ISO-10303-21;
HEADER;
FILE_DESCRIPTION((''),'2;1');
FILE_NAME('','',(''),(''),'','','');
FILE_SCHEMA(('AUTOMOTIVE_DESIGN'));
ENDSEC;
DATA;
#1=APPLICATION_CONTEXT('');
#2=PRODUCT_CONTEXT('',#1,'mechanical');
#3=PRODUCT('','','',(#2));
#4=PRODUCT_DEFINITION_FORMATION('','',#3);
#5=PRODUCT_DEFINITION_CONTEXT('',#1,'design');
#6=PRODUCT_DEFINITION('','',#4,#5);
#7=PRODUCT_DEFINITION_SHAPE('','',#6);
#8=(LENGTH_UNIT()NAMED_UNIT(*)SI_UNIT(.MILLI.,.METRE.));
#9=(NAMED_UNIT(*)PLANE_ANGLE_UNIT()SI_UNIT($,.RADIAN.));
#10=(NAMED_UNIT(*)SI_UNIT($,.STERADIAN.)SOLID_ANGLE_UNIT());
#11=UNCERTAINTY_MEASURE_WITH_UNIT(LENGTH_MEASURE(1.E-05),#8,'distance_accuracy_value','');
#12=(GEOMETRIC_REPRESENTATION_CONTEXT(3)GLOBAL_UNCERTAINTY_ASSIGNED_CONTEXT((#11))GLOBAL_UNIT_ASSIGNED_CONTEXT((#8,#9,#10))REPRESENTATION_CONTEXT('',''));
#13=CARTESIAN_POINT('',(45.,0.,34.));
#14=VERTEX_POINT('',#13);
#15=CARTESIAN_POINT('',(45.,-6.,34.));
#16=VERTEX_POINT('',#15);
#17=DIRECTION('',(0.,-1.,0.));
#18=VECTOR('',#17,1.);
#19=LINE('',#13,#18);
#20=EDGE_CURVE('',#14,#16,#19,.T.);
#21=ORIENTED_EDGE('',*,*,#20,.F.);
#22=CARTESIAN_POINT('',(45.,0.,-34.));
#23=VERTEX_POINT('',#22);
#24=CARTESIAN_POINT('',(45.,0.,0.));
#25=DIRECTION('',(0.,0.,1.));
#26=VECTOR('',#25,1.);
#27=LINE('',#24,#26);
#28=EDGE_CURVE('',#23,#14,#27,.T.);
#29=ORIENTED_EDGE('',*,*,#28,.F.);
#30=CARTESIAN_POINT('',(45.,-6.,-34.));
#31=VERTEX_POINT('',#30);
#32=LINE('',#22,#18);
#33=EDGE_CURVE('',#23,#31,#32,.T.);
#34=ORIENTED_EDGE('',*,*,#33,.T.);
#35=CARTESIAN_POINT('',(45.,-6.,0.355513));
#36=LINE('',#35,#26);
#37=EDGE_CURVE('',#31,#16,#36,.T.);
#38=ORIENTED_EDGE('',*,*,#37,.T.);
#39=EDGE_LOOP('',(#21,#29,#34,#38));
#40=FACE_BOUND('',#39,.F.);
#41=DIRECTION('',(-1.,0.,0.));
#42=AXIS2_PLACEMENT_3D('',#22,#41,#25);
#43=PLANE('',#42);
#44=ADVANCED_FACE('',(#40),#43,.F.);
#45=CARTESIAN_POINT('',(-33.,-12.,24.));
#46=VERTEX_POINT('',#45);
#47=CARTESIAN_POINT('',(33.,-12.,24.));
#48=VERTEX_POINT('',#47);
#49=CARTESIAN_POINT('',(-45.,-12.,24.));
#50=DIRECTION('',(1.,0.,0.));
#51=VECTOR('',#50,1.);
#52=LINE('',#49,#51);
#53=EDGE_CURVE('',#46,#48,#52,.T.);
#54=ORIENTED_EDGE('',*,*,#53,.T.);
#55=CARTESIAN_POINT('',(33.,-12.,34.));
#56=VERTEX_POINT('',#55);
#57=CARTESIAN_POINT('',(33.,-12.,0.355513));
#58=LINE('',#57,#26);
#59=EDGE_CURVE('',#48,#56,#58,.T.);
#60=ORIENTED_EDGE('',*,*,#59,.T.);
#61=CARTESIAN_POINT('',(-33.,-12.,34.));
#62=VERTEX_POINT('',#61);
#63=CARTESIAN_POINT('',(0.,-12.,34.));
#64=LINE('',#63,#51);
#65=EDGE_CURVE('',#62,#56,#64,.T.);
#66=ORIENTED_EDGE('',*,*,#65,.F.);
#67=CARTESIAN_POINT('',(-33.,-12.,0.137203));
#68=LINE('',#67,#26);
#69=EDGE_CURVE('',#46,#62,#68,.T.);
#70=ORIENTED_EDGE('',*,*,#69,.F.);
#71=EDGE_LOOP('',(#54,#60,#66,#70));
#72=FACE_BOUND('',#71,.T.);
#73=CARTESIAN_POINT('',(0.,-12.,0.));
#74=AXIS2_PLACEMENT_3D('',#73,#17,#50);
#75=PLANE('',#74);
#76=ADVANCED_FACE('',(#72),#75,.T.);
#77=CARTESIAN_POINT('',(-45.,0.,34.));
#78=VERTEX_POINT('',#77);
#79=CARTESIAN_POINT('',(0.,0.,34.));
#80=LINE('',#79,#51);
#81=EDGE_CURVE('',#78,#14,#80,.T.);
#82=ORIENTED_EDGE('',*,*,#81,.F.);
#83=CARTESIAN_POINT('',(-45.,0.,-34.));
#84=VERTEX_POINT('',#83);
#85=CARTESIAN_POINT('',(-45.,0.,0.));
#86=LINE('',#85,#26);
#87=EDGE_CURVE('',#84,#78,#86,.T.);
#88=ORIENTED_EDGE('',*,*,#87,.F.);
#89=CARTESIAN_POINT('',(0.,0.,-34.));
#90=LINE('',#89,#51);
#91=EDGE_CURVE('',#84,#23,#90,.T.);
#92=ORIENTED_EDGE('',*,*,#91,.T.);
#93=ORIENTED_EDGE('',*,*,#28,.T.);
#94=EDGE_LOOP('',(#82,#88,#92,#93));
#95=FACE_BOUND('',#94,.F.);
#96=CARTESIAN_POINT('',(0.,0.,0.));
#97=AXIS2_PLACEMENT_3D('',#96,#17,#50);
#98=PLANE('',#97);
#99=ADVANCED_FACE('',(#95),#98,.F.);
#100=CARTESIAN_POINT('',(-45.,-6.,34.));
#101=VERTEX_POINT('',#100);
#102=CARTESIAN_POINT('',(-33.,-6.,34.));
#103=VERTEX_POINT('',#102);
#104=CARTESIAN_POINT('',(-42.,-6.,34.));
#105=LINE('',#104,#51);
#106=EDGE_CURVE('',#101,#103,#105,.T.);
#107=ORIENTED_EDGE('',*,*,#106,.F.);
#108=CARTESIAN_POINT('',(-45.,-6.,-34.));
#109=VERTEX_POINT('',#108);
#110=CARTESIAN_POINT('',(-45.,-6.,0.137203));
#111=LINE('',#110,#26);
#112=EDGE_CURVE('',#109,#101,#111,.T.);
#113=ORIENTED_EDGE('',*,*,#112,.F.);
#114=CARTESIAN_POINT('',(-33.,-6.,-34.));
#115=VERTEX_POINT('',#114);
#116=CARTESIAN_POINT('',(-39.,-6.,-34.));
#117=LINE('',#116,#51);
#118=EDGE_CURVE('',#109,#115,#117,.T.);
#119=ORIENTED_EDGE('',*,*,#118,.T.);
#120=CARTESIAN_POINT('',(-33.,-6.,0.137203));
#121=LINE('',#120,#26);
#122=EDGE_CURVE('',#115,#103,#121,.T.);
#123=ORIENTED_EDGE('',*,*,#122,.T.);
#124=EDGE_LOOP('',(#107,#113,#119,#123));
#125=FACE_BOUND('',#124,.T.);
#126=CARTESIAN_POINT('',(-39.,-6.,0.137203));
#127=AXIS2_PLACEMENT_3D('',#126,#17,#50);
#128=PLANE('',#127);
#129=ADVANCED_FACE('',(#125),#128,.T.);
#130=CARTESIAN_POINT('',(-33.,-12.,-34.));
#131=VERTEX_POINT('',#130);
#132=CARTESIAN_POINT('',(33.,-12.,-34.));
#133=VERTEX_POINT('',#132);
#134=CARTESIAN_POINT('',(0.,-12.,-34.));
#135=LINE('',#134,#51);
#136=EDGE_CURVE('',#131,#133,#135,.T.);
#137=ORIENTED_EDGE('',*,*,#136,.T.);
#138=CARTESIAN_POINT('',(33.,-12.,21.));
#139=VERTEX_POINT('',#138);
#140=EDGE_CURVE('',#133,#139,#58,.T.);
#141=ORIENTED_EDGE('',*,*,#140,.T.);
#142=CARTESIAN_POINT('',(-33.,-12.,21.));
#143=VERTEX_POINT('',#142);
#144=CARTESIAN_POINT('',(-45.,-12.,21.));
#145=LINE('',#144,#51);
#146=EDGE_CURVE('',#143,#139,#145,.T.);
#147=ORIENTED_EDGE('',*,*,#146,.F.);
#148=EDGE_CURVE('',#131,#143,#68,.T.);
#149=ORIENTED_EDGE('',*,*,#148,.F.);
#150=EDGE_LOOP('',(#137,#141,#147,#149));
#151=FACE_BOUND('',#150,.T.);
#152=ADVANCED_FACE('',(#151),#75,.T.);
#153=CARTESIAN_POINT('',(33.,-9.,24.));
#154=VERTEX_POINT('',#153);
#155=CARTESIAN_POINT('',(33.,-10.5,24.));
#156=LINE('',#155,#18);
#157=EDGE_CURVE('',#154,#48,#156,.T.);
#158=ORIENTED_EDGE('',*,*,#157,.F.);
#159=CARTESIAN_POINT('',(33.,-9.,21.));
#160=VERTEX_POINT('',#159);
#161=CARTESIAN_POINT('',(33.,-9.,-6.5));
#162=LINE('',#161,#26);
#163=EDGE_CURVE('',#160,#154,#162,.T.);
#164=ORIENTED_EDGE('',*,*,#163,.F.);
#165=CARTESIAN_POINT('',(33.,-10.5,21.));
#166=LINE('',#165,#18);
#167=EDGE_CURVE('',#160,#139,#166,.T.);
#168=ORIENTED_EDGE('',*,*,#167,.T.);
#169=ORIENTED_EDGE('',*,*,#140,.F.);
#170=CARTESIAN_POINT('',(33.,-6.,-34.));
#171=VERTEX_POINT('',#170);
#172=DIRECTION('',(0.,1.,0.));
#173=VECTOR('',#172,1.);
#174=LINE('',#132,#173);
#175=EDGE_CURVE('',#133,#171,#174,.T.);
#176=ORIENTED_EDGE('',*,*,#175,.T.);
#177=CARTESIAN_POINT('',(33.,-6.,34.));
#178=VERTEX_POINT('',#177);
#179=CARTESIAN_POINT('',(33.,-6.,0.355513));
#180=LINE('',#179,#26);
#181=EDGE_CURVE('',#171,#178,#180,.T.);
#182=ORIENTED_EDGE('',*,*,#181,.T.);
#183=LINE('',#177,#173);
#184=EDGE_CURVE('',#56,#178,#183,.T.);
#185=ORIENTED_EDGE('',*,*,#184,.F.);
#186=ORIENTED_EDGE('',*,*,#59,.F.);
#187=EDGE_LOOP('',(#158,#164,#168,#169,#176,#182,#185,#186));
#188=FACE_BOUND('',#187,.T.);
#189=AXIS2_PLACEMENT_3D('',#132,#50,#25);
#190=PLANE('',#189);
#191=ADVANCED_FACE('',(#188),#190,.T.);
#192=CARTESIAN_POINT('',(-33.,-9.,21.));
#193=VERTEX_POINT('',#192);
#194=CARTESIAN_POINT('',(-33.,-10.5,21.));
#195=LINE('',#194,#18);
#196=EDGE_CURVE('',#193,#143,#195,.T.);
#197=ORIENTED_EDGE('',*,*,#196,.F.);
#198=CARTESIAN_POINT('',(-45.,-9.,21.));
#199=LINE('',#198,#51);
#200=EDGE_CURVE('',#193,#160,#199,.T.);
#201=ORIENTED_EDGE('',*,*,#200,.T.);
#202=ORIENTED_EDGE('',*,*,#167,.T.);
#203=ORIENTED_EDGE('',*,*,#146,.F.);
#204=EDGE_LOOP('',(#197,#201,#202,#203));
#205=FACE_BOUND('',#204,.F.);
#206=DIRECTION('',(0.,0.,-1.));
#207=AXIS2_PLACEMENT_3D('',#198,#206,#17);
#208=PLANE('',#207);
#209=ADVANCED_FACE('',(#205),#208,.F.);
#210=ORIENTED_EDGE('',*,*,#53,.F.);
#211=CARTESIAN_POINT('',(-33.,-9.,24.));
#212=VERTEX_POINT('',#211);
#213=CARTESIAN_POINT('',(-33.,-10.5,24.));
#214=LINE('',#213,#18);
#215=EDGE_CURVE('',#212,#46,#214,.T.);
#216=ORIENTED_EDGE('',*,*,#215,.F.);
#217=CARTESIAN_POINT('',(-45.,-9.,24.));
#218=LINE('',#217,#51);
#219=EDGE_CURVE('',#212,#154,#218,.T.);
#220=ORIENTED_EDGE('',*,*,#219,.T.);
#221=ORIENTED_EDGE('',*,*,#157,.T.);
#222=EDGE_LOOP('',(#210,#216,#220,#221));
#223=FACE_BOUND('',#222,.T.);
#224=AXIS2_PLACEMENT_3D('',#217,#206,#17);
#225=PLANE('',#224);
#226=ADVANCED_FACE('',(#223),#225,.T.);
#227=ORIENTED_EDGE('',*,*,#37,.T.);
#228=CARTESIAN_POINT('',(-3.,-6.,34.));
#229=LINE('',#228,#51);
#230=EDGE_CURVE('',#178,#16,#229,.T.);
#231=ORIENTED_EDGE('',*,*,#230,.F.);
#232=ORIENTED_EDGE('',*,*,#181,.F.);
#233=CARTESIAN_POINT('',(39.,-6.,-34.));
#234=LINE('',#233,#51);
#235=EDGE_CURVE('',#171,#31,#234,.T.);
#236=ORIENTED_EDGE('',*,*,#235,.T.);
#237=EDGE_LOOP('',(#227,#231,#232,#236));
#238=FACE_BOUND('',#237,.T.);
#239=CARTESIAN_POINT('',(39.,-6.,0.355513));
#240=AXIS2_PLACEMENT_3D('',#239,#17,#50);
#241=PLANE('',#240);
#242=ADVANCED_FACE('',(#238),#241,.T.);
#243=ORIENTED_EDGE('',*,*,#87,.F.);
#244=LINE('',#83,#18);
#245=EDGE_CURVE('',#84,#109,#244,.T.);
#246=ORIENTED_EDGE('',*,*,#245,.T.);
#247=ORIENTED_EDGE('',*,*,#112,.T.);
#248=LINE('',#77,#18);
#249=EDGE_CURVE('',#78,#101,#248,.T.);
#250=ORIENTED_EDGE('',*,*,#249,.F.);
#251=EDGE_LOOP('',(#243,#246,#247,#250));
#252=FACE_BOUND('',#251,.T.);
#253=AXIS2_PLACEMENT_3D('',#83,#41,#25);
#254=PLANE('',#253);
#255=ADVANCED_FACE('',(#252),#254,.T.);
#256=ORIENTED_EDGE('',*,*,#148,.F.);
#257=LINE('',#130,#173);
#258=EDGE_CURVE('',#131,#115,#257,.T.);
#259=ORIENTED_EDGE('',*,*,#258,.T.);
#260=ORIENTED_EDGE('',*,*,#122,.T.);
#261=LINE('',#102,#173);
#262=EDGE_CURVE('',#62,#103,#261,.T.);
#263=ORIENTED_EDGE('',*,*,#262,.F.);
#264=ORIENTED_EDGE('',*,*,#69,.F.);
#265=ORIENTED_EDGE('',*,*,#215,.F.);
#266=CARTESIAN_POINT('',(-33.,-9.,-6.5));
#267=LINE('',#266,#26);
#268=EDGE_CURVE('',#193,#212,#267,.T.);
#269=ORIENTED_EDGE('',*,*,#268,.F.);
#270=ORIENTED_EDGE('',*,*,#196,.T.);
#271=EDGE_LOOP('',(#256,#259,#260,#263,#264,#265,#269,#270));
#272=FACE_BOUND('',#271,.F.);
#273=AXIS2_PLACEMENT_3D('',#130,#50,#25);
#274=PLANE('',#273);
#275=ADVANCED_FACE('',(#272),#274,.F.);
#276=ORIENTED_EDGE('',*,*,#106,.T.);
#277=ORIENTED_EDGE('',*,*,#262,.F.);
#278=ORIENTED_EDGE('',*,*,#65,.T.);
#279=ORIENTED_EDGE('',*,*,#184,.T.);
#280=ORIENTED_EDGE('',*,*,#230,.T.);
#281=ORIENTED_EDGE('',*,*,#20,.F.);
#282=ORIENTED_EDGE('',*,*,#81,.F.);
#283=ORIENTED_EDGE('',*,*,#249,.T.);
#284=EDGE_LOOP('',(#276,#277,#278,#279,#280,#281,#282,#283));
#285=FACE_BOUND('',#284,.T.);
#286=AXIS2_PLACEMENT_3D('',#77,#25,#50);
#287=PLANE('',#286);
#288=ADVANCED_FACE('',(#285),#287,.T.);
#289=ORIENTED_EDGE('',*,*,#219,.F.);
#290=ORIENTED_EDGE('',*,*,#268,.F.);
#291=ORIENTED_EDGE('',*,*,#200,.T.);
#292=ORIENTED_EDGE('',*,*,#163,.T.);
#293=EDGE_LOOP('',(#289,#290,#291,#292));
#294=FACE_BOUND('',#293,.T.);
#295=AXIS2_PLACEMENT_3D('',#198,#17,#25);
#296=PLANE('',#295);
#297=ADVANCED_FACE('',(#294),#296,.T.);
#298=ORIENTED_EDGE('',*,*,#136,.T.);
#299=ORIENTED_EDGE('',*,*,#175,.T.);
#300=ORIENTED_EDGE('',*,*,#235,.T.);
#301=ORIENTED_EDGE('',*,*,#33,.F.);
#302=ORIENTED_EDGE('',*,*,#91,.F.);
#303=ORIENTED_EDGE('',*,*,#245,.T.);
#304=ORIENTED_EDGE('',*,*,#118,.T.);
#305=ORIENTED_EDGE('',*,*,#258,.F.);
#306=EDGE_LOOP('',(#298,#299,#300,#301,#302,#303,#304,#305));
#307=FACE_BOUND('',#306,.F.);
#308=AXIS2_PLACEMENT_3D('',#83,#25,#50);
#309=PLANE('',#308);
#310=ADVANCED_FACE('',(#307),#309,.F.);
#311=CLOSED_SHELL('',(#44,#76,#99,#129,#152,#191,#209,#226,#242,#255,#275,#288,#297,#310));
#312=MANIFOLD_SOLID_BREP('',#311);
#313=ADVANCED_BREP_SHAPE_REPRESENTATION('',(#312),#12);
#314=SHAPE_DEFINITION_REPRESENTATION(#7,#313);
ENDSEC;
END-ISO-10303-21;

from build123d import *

# Parameters (mm, degrees)
F0_W      = 40
F0_H      = 68
F1_DEPTH  = 12
F2_W      = 5
F2_H      = 3
F3_DEPTH  = 59
F5_W      = 90
F5_H      = 68
F6_DEPTH  = 12
F7_W      = 3
F7_H      = 3
F8_DEPTH  = 200
F9_W      = 12
F9_H      = 68.2744067311
F9_H_2    = 68.7110256553
F10_DEPTH = 6


with BuildPart() as f1:
    # F0 (on Front) → F1 (new body)
    with BuildSketch(Plane.XZ):
        Rectangle(F0_W, F0_H)
    extrude(amount=F1_DEPTH)

    # F2 (on face) → F3 (cut)
    with BuildSketch(Plane.YZ.offset(20)):
        with Locations((-9.5, 22.5)):
            Rectangle(F2_W, F2_H)
    extrude(amount=-F3_DEPTH, mode=Mode.SUBTRACT)


with BuildPart() as f6:
    # F5 (on Front) → F6 (new body)
    with BuildSketch(Plane.XZ):
        Rectangle(F5_W, F5_H)
    extrude(amount=F6_DEPTH)

    # F7 (on face) → F8 (cut)
    with BuildSketch(Plane(origin=(-45, 0, 0), x_dir=(0, -1, 0), z_dir=(-1, 0, 0))):
        with Locations((10.5, 22.5)):
            Rectangle(F7_W, F7_H)
    extrude(amount=-F8_DEPTH, mode=Mode.SUBTRACT)

    # F9 (on face) → F10 (cut)
    with BuildSketch(Plane.XZ.offset(12)):
        with Locations((-39, 0.1372033656)):
            Rectangle(F9_W, F9_H)
        with Locations((39, 0.3555128276)):
            Rectangle(F9_W, F9_H_2)
    extrude(amount=-F10_DEPTH, mode=Mode.SUBTRACT)


solid = f6.part
